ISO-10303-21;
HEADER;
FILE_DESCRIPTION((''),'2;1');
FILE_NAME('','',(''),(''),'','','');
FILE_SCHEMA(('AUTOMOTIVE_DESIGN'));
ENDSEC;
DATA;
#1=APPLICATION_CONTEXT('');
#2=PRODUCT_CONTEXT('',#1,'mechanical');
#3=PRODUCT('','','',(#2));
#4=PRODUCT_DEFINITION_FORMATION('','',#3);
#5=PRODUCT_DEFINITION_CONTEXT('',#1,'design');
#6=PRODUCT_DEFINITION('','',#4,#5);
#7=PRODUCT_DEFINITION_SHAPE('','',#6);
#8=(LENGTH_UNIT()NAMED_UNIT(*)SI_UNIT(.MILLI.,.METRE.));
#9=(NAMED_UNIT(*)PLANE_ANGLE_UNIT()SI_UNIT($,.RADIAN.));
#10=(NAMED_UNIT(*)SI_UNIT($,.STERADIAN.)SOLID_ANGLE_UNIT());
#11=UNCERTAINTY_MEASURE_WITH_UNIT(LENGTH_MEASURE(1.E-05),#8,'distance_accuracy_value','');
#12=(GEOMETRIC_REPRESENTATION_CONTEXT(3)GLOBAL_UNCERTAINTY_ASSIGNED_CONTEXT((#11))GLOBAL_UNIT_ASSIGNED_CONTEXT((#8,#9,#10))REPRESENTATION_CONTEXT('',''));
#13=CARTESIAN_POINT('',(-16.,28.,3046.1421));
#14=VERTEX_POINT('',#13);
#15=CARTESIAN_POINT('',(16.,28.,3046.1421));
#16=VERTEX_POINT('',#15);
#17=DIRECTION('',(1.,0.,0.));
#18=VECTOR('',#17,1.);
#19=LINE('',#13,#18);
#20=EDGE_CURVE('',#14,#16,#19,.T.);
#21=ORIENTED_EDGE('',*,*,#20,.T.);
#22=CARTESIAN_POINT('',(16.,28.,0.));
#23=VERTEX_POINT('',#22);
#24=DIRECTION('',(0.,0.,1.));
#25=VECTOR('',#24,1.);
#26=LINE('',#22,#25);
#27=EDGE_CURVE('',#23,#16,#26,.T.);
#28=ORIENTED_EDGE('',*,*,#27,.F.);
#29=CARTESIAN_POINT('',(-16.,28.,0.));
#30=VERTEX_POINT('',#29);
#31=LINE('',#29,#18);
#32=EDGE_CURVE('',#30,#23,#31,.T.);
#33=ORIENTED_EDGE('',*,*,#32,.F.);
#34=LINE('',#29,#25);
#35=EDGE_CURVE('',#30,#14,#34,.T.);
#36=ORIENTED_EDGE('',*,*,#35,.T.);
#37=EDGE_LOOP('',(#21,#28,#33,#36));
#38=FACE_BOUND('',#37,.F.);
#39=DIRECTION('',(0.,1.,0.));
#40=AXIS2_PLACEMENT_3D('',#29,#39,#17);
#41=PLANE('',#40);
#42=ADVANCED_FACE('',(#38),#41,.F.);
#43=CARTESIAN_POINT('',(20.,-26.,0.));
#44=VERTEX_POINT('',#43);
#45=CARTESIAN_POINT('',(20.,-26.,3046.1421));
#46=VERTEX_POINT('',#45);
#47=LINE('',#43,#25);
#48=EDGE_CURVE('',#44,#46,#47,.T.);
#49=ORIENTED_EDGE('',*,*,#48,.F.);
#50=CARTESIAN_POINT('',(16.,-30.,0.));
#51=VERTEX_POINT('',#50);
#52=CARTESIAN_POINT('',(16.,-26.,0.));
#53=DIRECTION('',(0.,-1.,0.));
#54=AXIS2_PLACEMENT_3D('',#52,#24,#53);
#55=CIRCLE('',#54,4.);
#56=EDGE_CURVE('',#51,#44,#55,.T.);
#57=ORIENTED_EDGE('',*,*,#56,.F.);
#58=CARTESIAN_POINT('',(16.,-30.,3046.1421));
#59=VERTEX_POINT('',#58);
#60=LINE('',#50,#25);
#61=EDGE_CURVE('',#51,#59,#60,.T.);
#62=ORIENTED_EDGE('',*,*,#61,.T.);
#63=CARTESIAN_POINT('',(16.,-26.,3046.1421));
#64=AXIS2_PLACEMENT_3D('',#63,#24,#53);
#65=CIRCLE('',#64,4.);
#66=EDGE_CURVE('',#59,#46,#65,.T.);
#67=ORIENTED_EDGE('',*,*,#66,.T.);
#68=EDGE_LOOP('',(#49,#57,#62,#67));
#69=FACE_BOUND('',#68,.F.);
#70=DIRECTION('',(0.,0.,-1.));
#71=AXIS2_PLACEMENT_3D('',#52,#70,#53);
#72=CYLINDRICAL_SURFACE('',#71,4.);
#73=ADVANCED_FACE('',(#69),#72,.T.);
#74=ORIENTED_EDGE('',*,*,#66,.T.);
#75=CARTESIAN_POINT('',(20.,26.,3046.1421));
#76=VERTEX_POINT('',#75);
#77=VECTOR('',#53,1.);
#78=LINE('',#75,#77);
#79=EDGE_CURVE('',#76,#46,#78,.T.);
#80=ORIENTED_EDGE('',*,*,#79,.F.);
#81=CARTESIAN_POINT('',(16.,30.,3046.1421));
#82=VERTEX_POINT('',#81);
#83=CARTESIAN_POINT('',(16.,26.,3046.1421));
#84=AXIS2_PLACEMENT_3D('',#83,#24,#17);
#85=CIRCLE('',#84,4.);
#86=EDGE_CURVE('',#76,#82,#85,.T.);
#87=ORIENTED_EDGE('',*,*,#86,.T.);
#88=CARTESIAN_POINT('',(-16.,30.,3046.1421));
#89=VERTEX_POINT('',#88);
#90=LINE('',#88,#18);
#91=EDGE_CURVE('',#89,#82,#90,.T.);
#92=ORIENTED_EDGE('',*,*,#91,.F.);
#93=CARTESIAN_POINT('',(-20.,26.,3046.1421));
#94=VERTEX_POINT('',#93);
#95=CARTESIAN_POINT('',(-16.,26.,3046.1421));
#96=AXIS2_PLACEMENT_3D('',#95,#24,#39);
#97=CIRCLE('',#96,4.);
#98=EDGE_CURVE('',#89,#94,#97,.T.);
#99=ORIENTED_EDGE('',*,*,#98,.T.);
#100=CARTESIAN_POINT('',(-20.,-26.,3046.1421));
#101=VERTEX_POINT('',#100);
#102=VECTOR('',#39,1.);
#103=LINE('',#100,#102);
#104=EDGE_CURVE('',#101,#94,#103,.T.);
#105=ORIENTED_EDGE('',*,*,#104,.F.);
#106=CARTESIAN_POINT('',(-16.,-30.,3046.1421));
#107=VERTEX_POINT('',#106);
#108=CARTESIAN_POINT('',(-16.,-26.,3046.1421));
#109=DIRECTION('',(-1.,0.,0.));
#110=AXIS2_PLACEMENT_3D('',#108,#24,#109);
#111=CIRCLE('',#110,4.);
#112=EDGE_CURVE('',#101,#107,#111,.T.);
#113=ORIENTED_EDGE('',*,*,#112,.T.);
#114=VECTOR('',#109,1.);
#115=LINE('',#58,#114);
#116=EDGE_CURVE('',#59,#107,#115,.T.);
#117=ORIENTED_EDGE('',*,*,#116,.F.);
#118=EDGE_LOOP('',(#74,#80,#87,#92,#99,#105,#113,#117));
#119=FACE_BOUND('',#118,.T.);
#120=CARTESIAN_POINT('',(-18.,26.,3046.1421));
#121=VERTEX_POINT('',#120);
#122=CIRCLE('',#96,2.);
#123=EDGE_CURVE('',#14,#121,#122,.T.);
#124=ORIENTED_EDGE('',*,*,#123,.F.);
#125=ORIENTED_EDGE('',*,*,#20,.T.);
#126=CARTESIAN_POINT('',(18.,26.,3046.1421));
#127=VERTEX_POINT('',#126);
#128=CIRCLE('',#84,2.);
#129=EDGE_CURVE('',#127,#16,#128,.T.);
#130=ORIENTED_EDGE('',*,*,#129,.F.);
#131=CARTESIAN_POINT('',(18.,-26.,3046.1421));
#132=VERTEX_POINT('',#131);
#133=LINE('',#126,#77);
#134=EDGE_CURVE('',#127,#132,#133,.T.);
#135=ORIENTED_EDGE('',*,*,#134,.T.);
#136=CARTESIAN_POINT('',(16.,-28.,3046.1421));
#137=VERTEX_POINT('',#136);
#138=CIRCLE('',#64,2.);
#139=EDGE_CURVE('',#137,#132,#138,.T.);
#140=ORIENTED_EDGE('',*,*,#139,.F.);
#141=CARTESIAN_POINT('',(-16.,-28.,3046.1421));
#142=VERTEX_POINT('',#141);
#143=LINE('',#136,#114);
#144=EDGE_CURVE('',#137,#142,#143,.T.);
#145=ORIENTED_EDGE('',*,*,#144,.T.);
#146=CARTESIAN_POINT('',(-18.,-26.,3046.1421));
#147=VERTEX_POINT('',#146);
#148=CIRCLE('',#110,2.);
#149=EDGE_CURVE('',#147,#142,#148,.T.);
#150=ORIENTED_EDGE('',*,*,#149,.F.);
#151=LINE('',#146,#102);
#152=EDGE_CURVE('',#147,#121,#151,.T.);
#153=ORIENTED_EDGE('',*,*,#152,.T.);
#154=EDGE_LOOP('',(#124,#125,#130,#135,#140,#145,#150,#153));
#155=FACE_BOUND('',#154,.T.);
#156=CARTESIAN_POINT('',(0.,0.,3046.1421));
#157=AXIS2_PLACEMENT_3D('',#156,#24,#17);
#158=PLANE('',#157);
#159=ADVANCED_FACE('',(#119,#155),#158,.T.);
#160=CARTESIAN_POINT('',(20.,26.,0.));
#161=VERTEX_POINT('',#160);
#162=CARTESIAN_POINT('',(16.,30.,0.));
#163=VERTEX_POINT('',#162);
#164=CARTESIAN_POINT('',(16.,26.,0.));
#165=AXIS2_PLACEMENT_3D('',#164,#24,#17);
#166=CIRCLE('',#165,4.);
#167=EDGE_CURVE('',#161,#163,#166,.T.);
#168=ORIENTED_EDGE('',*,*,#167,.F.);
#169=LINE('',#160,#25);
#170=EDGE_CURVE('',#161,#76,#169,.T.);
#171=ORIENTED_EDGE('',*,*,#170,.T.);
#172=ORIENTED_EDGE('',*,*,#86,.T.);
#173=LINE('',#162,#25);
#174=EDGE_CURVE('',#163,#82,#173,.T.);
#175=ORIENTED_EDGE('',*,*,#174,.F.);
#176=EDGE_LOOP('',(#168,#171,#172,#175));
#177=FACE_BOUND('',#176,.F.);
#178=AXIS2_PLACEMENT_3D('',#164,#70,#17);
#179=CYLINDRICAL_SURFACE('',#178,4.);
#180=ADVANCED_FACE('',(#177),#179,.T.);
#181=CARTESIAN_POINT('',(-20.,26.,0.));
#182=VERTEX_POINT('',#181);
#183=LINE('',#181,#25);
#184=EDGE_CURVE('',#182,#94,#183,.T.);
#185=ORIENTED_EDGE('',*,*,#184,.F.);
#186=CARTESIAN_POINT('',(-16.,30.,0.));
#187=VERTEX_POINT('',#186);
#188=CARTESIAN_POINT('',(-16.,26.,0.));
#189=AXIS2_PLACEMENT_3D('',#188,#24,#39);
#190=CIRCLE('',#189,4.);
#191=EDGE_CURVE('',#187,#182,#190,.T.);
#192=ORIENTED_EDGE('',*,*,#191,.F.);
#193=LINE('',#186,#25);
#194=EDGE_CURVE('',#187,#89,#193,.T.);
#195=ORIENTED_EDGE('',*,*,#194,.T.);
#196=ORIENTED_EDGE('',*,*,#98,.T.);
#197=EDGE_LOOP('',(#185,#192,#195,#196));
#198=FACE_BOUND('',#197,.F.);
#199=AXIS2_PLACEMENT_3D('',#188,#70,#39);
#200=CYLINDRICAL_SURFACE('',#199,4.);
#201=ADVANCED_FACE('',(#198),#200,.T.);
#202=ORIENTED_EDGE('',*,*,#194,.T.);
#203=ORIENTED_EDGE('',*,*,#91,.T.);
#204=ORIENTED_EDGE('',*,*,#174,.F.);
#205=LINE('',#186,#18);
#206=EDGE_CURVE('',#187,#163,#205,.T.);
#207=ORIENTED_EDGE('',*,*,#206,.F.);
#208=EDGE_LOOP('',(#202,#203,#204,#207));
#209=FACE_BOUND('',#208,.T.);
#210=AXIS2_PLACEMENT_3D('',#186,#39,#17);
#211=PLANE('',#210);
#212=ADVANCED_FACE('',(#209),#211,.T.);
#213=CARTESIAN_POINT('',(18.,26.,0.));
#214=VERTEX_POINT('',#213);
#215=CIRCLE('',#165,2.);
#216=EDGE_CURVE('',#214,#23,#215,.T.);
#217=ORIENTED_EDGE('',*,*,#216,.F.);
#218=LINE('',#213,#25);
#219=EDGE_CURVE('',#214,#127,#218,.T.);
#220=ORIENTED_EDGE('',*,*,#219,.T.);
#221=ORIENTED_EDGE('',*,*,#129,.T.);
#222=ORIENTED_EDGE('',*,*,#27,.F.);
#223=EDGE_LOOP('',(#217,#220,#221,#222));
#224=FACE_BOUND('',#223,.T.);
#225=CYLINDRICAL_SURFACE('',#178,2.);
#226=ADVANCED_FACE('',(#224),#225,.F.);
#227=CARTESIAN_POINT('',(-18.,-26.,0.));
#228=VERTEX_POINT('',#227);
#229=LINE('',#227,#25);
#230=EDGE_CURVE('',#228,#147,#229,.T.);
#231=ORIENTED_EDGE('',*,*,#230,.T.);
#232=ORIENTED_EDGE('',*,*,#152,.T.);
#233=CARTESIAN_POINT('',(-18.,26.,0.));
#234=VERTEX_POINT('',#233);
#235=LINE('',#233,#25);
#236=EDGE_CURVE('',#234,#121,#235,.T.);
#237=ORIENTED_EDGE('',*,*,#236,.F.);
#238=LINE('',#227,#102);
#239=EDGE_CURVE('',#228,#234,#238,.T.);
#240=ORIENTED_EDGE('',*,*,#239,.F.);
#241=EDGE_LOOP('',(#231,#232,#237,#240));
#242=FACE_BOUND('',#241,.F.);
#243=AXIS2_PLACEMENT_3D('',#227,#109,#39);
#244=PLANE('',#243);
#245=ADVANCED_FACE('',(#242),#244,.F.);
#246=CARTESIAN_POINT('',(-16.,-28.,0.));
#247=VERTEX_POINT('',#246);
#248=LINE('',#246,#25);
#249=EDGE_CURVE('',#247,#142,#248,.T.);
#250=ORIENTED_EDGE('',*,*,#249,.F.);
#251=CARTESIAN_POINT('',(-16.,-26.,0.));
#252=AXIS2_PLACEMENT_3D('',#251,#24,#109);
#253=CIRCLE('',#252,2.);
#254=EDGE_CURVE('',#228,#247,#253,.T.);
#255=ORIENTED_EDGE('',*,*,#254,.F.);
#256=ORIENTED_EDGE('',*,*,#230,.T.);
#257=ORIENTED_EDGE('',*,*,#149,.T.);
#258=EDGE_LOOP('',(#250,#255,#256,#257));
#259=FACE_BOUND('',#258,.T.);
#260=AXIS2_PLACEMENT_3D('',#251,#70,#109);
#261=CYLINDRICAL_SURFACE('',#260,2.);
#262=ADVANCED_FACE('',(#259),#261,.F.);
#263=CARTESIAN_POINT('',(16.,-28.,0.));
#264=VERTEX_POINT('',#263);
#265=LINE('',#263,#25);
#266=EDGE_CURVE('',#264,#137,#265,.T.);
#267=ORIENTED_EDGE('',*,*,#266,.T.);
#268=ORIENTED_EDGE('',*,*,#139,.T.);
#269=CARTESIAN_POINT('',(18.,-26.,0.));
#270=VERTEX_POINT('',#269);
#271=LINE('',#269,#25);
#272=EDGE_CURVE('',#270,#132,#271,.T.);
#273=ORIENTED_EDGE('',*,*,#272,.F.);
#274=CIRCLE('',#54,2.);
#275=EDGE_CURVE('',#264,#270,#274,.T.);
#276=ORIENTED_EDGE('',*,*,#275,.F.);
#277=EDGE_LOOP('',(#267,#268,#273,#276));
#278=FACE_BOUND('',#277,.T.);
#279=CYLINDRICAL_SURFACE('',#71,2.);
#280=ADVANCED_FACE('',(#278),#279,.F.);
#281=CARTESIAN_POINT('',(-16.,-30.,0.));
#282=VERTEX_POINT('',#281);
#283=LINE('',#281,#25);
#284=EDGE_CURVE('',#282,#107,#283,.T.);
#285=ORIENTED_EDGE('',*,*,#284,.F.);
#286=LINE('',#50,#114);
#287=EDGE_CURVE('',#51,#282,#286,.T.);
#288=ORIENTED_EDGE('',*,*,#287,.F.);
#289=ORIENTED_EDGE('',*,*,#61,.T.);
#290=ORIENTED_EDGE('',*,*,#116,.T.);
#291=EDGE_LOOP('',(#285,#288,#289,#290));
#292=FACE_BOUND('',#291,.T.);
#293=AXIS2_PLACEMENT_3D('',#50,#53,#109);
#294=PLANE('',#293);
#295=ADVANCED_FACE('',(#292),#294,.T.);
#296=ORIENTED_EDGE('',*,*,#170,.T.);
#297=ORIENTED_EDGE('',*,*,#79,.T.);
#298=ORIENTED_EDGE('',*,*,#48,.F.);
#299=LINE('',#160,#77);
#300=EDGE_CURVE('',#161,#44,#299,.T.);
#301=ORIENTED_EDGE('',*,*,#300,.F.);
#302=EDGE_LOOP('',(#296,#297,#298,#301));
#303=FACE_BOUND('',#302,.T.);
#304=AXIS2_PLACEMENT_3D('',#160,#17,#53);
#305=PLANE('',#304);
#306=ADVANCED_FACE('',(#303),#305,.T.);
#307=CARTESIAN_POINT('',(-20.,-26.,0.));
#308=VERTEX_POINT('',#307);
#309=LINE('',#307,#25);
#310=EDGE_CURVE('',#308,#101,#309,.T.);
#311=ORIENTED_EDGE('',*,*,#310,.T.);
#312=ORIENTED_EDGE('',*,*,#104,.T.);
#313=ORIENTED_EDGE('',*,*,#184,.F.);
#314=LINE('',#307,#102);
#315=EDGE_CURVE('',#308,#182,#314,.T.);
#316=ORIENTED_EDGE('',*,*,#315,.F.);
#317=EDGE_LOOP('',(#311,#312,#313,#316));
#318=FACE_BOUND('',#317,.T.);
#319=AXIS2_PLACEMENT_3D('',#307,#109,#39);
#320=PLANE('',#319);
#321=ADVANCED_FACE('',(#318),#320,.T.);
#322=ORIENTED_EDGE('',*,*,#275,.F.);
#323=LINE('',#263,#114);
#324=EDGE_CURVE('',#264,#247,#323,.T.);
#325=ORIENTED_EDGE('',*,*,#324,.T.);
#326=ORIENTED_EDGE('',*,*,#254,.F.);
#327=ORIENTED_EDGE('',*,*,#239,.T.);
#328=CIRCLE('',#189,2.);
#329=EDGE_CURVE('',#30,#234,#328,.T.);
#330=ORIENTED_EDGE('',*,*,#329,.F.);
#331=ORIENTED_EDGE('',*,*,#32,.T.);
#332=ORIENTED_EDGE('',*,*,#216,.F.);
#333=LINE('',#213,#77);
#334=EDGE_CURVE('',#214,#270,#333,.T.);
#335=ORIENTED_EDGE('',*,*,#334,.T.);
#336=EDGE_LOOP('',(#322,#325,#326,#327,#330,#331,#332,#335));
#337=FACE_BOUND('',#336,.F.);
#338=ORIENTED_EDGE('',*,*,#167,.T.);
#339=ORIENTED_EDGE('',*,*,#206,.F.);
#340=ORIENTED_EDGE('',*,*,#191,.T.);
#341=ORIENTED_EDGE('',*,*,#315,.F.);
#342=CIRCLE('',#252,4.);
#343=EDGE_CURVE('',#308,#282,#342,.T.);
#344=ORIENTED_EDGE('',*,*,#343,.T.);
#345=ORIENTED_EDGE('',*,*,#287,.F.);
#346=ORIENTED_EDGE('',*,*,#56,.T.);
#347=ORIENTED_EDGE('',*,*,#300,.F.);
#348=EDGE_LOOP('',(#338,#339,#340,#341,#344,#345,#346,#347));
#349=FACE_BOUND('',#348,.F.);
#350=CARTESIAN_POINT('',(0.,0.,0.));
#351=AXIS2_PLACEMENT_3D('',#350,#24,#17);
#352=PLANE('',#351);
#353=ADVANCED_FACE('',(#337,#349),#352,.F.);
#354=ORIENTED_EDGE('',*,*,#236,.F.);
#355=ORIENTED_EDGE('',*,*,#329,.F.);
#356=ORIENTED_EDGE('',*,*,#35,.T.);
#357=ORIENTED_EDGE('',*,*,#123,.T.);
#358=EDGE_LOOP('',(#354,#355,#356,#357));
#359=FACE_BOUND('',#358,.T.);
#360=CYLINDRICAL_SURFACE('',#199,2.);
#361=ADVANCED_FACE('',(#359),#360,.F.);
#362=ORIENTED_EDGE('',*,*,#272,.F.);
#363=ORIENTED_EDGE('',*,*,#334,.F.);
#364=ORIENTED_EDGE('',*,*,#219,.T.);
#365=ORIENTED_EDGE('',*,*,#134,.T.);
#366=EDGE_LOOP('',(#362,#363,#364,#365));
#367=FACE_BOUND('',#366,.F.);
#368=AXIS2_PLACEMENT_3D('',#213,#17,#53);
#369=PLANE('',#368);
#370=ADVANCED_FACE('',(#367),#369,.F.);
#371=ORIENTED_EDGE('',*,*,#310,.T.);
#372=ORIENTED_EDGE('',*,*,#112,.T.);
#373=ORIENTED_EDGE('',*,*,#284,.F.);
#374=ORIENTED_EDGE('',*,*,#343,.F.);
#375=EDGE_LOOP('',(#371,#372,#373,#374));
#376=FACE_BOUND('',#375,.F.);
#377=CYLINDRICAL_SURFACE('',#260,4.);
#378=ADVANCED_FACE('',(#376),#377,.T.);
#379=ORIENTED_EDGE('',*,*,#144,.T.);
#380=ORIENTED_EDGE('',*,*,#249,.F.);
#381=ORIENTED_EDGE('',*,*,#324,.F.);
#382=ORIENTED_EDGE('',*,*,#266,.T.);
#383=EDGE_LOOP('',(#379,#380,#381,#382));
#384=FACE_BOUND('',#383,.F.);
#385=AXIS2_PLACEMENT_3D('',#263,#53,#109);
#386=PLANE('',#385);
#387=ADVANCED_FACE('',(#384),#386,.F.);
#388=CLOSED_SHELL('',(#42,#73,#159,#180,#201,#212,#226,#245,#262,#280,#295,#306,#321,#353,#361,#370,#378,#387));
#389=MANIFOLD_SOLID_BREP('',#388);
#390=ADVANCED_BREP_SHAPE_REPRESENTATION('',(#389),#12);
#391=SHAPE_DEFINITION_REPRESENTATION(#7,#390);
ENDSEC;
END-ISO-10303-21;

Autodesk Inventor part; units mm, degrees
ref_plane "YZ Plane" through (0, 0, 0) normal (1, 0, 0) x (0, 1, 0)
ref_plane "Start Plane" through (0, 0, 0) normal (0, 0, 1) x (1, 0, 0)
ref_plane "End Plane" through (0, 0, 3046.1421) normal (0, 0, 1) x (1, 0, 0)
sketch "Sketch" plane through (0, 0, 0) normal (0, 0, 1) x (1, 0, 0)
  line L0 (-20, -26) -> (-20, 26)
  line L1 (-16, 30) -> (16, 30)
  line L2 (20, 26) -> (20, -26)
  line L3 (16, -30) -> (-16, -30)
  arc A0 (-20, -26) -> (-16, -30) centre (-16, -26) ccw
  arc A1 (20, 26) -> (16, 30) centre (16, 26) ccw
  arc A2 (-16, 30) -> (-20, 26) centre (-16, 26) ccw
  arc A3 (16, -30) -> (20, -26) centre (16, -26) ccw
  arc A4 (-16, 28) -> (-18, 26) centre (-16, 26) ccw
  line L4 (-16, 28) -> (16, 28)
  arc A5 (18, 26) -> (16, 28) centre (16, 26) ccw
  line L5 (18, 26) -> (18, -26)
  arc A6 (16, -28) -> (18, -26) centre (16, -26) ccw
  line L6 (16, -28) -> (-16, -28)
  arc A7 (-18, -26) -> (-16, -28) centre (-16, -26) ccw
  line L7 (-18, -26) -> (-18, 26)
  line L8 (0, 43.1598) -> (0, -43.1598) construction
  line L9 (-29.1598, 0) -> (29.1598, 0) construction
  dimension "d7" = 4
  dimension "d9" = 40
  dimension "d11" = 60
  dimension "d12" = 2
  dimension "d15" = 20
  dimension "d16" = 30
extrude "Body" add sketch "Sketch" along normal up to surface (3046.1421 mm away) from surface at 0
sketch "Sketch3" plane through (0, 0, 0) normal (0, 0, 1) x (1, 0, 0)
  line L0 (0, 0) -> (10, 0)
ref_plane "Work Plane3" through (0, 0, 0) normal (0, -1, 0) x (1, 0, 0)
sketch "Sketch4" plane through (0, 0, 0) normal (0, -1, 0) x (1, 0, 0)
  line L0 (-2, 0) -> (12, 0) projected
  line L1 (-2, 3046.1421) -> (12, 3046.1421) projected
  dimension "d18" = 3046.142
equation "\"d7\" = G_IR"
equation "\"d9\" = G_W"
equation "\"d11\" = G_H"
equation "\"d12\" = G_T"
equation "\"d15\" = 0.5 * d9"
equation "\"d16\" = 0.5 * d11"
equation "\"d3\" = G_L"
equation "\"G_W\" = 40"
equation "\"G_H\" = 60"
equation "\"G_T\" = 2"
equation "\"G_IR\" = 4"
equation "\"G_L\" = d18"
equation "\"G_OFFSET_START\" = 0"
equation "\"G_OFFSET_END\" = 0"
equation "\"d14\" = G_OFFSET_END + B_L"
equation "\"B_L\" = 3046.14205"
properties part number "ISO 10799-2 - 60x40x2 - 3046,14" material "Steel, Mild"
